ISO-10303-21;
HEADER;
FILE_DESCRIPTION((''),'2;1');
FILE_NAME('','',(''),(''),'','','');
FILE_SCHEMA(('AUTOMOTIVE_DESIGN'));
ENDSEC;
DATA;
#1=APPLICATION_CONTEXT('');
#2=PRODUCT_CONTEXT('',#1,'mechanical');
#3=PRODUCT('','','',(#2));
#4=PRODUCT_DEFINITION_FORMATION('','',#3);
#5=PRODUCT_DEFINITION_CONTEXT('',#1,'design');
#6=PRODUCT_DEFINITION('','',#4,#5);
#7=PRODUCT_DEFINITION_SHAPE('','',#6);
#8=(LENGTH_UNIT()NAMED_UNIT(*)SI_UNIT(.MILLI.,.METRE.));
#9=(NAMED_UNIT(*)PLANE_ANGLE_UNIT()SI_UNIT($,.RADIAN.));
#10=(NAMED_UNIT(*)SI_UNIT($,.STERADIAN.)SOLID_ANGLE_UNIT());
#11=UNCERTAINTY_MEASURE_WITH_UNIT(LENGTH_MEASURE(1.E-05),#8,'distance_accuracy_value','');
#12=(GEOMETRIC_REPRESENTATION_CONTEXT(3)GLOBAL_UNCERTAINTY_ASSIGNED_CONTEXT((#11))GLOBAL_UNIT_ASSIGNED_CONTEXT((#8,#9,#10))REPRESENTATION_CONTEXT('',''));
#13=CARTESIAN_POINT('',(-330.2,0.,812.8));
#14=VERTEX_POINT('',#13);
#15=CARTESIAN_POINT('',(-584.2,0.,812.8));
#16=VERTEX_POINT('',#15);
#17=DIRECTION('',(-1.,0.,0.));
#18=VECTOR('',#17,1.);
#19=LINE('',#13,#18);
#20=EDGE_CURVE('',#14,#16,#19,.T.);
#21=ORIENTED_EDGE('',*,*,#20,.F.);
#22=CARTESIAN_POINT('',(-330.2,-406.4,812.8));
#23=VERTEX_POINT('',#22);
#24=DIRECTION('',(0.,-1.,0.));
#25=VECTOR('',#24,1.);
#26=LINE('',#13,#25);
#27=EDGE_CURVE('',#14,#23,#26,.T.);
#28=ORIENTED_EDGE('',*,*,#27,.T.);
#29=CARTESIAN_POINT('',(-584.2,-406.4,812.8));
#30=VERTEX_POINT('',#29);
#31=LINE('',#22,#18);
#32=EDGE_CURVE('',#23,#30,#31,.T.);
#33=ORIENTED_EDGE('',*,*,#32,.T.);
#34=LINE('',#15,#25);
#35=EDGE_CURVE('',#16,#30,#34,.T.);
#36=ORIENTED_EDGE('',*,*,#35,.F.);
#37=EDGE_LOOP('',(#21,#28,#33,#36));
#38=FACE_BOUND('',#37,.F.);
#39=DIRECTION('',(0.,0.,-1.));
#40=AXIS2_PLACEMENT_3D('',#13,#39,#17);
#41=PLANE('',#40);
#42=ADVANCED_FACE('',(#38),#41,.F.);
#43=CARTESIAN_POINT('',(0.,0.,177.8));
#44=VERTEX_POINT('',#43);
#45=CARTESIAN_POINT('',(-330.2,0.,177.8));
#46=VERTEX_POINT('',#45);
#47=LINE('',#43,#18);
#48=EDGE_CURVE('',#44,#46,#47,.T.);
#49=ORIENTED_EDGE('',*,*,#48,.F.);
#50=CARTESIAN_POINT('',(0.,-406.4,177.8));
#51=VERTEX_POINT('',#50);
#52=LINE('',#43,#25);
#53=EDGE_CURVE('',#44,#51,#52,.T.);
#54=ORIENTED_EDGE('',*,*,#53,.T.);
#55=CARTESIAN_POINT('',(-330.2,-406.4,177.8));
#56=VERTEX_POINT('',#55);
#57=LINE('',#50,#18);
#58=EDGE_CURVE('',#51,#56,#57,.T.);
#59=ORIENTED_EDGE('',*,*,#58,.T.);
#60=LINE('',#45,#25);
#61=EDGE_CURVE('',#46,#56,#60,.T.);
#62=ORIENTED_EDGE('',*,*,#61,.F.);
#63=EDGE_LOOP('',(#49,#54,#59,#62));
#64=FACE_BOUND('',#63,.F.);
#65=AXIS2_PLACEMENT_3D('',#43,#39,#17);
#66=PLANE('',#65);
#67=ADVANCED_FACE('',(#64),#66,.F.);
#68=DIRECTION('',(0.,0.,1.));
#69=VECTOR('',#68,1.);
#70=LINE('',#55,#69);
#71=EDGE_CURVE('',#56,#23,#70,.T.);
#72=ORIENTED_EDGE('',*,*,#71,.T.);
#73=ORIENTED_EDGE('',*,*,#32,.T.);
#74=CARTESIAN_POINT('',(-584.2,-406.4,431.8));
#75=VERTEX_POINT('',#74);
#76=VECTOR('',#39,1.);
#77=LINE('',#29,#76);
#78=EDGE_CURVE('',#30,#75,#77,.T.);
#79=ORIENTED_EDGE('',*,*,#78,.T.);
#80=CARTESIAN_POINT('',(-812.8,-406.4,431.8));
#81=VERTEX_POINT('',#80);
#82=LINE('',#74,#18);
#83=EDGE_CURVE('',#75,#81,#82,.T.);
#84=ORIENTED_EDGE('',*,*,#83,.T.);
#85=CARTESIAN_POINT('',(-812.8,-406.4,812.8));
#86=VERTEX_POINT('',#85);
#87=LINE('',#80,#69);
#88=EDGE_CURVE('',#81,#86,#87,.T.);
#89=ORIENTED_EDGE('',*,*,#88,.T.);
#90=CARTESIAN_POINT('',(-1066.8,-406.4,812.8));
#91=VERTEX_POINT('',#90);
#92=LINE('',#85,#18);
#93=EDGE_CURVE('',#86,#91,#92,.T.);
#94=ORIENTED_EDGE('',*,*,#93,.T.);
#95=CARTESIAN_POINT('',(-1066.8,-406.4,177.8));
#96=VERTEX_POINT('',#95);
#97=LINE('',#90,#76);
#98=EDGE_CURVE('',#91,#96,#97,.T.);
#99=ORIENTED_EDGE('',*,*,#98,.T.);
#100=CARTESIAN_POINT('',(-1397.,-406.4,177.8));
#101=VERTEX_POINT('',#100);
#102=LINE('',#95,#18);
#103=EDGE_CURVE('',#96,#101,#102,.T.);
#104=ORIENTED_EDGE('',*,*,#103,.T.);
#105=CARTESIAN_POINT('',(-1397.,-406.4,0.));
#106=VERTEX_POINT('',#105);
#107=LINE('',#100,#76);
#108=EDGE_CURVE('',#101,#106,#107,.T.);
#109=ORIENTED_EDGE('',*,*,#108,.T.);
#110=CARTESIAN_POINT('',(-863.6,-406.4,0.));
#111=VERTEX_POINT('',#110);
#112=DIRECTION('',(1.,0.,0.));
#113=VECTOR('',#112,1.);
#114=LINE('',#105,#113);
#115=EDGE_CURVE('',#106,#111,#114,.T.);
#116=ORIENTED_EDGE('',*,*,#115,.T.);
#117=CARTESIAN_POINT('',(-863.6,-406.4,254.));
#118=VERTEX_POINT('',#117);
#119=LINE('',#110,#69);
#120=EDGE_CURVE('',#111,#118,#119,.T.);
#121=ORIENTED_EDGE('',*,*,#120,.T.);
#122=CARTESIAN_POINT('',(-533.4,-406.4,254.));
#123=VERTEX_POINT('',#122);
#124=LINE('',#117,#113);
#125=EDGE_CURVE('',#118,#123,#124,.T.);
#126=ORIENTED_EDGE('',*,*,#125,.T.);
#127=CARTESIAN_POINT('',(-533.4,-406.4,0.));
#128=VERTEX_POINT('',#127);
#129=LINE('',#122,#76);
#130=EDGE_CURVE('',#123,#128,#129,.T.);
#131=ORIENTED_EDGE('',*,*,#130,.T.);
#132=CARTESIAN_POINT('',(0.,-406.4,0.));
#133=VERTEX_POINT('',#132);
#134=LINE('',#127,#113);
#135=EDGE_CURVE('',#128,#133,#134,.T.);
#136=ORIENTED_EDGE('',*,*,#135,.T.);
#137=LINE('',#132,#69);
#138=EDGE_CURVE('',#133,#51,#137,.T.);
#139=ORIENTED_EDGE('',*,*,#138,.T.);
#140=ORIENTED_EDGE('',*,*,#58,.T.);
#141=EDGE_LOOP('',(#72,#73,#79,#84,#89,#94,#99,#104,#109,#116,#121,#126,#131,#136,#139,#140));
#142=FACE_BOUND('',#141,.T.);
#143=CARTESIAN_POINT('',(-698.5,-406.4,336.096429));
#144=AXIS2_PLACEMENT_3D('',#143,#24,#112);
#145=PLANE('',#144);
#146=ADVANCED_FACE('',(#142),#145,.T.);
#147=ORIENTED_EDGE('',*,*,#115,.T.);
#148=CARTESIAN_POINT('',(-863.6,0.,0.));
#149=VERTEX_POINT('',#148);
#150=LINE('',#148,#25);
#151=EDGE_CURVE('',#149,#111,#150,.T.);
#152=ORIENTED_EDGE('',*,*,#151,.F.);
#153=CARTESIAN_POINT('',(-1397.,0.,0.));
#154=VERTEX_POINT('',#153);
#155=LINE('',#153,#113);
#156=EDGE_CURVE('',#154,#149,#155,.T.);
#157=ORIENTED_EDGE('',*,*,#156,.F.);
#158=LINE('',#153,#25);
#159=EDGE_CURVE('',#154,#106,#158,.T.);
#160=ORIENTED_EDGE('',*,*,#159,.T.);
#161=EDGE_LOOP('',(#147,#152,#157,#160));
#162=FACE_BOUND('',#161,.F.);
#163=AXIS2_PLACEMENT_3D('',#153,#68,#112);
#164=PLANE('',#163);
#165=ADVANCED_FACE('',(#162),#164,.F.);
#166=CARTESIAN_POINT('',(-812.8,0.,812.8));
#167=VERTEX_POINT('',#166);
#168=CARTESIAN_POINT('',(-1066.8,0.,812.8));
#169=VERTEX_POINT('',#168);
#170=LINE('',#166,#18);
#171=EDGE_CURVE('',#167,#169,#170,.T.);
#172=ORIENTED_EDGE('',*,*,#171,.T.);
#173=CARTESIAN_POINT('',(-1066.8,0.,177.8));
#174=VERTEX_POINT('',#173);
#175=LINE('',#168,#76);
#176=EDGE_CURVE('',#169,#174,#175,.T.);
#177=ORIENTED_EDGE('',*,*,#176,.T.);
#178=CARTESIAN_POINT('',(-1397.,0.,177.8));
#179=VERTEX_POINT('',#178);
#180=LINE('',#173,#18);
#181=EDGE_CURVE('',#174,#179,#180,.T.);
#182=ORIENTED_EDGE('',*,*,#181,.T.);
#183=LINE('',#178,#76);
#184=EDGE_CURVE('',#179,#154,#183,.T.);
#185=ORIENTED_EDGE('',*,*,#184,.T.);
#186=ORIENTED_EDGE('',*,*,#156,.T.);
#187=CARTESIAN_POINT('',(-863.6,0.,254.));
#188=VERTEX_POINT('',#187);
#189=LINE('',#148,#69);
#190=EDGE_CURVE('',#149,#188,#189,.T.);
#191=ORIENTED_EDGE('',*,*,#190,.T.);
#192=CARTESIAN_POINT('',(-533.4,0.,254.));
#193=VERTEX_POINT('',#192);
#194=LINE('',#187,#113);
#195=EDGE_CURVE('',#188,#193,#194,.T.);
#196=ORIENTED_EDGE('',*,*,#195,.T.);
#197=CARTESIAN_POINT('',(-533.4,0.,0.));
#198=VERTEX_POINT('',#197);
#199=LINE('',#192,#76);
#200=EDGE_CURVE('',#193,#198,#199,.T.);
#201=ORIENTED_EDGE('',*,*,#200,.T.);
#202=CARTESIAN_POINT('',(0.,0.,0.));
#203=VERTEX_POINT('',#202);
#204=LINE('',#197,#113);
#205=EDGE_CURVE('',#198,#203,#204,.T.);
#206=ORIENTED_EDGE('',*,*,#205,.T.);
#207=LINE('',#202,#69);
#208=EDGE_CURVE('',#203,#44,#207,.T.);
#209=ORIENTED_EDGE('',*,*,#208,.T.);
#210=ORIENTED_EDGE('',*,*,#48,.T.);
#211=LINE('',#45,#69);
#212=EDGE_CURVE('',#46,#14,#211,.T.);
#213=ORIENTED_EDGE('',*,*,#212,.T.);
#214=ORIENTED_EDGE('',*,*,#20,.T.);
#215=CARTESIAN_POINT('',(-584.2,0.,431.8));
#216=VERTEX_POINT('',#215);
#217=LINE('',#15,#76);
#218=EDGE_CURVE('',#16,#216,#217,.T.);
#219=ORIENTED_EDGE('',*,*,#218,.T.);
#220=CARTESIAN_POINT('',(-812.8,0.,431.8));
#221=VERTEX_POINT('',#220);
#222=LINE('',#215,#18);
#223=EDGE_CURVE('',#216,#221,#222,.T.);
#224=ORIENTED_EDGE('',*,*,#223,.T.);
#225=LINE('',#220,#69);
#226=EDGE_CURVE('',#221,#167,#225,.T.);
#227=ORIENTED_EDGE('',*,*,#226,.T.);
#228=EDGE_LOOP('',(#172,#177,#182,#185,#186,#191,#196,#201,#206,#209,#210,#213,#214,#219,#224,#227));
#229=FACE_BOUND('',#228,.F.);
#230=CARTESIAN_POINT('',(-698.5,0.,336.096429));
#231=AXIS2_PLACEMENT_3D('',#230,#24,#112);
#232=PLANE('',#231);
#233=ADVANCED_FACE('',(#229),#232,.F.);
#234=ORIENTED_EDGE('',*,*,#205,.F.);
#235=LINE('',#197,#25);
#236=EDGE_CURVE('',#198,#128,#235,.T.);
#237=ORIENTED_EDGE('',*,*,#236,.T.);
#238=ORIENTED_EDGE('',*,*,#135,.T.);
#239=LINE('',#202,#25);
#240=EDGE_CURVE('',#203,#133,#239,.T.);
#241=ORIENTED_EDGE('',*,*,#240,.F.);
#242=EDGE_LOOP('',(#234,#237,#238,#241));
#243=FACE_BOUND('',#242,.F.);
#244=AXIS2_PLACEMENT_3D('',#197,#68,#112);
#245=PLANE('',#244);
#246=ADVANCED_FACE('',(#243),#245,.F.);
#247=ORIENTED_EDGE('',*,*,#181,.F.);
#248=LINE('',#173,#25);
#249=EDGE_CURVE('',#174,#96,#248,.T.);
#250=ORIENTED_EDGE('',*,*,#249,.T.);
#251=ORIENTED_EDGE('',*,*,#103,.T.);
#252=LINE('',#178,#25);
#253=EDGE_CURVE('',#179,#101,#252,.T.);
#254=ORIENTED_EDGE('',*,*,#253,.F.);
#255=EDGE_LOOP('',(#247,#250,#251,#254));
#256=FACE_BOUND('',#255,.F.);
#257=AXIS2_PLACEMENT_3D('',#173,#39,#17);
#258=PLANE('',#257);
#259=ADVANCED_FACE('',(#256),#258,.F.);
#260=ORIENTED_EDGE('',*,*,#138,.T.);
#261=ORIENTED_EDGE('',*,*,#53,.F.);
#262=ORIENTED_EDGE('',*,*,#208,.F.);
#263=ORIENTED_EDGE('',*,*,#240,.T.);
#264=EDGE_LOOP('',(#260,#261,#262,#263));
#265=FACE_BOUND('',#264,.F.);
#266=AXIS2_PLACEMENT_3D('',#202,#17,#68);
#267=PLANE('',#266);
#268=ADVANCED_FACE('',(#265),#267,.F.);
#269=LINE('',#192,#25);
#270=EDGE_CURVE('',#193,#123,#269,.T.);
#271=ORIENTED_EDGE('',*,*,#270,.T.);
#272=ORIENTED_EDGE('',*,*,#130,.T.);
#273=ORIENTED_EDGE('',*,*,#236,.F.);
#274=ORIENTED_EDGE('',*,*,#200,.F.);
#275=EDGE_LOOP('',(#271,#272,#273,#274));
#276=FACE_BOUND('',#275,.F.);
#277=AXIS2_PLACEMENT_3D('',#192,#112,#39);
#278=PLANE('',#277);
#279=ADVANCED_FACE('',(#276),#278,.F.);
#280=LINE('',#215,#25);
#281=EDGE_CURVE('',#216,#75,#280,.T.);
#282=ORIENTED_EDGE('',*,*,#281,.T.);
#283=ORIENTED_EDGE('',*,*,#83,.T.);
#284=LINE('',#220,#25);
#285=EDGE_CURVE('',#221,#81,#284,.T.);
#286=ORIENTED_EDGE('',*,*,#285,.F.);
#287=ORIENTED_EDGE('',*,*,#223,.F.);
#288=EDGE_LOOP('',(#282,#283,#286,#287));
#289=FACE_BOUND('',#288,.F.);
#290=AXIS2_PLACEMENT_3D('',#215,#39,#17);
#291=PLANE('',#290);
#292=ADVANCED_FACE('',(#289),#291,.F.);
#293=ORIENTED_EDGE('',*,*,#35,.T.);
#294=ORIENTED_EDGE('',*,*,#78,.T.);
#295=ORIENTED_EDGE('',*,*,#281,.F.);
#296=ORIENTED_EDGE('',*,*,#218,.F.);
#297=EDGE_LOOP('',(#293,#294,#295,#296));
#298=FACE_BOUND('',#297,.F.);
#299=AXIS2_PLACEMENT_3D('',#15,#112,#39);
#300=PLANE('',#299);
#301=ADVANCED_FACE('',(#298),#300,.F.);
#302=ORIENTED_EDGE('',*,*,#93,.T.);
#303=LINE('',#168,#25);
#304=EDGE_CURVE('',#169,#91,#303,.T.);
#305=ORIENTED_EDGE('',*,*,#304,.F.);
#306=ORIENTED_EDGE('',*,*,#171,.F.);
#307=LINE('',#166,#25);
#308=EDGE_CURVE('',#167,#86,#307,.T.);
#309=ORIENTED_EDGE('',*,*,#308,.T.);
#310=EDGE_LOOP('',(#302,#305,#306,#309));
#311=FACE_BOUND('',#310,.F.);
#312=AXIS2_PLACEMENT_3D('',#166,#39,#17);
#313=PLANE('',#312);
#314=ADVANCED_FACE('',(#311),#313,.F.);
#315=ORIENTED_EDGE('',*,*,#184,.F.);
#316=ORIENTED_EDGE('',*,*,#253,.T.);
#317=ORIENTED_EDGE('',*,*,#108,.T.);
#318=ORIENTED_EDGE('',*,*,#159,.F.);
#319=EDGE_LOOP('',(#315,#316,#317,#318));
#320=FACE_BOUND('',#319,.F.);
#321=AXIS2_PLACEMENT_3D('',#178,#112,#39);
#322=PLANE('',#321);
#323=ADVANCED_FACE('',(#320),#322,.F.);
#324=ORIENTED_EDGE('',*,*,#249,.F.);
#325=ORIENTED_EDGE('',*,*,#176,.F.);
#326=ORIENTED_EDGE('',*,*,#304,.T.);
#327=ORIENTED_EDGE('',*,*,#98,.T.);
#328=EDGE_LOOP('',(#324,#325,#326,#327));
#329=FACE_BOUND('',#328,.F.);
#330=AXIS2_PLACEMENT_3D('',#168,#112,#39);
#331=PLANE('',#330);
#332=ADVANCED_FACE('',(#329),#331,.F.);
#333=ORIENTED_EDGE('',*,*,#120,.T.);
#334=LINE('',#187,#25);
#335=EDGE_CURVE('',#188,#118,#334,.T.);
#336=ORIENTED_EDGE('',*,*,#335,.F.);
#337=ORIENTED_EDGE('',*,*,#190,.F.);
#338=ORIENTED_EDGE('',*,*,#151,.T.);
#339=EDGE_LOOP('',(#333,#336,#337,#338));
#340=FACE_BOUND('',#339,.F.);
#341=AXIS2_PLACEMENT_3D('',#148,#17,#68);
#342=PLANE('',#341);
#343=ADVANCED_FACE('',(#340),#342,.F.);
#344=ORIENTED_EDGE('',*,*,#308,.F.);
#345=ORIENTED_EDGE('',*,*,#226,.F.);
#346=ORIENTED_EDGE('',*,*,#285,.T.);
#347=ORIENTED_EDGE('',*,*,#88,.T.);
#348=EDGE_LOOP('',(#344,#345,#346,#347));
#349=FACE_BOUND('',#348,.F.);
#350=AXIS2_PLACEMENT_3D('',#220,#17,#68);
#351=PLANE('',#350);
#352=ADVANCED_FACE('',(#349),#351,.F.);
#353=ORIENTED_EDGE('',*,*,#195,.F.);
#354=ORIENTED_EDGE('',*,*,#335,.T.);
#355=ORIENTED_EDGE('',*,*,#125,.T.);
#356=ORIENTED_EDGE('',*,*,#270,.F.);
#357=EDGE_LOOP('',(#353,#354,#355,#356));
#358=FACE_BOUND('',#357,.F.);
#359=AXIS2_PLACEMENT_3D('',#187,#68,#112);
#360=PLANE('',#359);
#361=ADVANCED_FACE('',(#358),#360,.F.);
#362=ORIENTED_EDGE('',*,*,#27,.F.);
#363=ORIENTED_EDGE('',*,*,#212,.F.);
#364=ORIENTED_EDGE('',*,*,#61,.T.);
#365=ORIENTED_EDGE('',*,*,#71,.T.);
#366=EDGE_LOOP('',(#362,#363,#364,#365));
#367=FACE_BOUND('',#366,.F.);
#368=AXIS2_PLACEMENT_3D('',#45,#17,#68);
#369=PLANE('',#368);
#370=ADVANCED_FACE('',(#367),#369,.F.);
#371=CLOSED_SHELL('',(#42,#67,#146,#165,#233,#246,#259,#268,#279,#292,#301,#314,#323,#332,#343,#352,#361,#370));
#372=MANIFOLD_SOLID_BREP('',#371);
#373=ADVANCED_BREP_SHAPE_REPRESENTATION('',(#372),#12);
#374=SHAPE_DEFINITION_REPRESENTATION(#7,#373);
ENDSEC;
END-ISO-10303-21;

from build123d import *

# Parameters (mm, degrees)
F1_DEPTH = 406.4


with BuildPart() as f1:
    # F0 (on Front) → F1 (new body)
    with BuildSketch(Plane.XZ):
        Polygon((-533.4, 0), (0, 0), (0, 177.8), (-330.2, 177.8), (-330.2, 812.8), (-584.2, 812.8), (-584.2, 431.8), (-812.8, 431.8), (-812.8, 812.8), (-1066.8, 812.8), (-1066.8, 177.8), (-1397, 177.8), (-1397, 0), (-863.6, 0), (-863.6, 254), (-698.5, 254), (-533.4, 254), align=None)
    extrude(amount=F1_DEPTH)


solid = f1.part
